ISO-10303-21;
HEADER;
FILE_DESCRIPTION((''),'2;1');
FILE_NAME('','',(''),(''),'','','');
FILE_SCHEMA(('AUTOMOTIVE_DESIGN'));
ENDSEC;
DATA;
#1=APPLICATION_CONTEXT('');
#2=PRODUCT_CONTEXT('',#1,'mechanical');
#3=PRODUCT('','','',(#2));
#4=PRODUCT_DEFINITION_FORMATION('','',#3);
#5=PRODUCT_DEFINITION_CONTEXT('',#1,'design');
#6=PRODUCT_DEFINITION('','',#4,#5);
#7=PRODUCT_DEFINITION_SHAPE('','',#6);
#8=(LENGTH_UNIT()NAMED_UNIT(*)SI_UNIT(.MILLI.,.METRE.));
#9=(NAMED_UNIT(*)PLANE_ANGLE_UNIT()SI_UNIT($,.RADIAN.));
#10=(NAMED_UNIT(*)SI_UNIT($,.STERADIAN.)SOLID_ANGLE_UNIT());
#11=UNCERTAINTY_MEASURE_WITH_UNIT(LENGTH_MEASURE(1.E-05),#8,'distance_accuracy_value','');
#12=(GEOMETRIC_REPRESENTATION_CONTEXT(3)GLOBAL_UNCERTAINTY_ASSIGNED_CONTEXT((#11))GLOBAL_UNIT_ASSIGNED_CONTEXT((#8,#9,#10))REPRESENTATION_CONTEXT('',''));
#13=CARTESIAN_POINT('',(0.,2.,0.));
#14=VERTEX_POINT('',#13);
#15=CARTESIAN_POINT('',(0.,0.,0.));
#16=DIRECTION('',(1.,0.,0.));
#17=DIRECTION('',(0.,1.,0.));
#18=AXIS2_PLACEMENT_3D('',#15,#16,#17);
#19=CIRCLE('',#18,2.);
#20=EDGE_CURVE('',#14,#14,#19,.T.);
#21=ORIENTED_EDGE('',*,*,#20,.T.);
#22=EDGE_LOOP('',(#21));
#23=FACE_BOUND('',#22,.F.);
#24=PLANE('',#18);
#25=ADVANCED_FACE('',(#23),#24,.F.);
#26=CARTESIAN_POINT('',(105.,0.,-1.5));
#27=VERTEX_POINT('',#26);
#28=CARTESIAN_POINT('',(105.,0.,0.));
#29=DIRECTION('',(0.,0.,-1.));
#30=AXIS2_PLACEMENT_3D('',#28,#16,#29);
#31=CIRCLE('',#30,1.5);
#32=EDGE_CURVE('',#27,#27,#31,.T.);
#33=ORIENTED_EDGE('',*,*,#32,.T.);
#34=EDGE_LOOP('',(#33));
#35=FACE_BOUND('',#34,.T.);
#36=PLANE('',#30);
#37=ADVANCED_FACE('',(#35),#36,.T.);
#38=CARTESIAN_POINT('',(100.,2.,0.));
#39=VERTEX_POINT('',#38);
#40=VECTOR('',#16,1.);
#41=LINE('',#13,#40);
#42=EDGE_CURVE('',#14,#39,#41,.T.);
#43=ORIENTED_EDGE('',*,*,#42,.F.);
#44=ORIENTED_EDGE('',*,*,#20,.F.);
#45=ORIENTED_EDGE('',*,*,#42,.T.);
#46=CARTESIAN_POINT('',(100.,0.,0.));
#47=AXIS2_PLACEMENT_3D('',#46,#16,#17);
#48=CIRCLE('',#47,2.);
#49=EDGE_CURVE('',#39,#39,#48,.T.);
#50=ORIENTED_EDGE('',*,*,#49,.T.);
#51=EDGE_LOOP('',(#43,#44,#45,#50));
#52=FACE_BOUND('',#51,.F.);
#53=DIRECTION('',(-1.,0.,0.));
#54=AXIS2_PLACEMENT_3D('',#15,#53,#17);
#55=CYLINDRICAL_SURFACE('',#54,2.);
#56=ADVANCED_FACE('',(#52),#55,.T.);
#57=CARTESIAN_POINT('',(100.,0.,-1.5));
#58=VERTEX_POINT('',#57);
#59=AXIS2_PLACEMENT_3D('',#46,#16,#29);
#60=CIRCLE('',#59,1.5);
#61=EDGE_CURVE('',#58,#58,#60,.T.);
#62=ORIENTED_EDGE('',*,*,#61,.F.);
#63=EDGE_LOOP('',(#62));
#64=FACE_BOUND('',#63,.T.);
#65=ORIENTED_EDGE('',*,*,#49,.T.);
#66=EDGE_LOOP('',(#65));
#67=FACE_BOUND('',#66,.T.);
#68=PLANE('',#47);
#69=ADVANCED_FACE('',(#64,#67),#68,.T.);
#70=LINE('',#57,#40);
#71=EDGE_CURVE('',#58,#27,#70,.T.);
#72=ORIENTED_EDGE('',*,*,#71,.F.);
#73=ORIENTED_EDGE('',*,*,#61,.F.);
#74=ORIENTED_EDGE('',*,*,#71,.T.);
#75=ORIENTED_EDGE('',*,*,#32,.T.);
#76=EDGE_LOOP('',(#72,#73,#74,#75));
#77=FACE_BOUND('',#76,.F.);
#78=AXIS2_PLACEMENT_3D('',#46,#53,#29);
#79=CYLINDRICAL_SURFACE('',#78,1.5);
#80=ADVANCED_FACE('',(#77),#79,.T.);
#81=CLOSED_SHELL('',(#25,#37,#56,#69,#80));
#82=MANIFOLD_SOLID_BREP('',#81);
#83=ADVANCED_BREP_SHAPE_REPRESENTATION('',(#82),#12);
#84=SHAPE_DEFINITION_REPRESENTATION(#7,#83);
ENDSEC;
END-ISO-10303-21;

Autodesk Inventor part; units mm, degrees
ref_plane "YZ Plane" through (0, 0, 0) normal (1, 0, 0) x (0, 1, 0)
ref_plane "XZ Plane" through (0, 0, 0) normal (0, 1, 0) x (-1, 0, 0)
ref_plane "XY Plane" through (0, 0, 0) normal (0, 0, 1) x (1, 0, 0)
sketch "Sketch1" plane through (0, 0, 0) normal (1, 0, 0) x (0, 1, 0)
  circle A0 centre (0, 0) radius 2
  dimension "d0" = 4
extrude "Extrusion1" add sketch "Sketch1" along normal blind 100
sketch "Sketch2" plane through (100, 0, 0) normal (1, 0, 0) x (0, 0, -1)
  circle A0 centre (0, 0) radius 1.5
  dimension "d3" = 3
extrude "Extrusion2" add sketch "Sketch2" along normal blind 5
thread "Thread1" size "M3x0.5" class "6g" standard "ANSI Metric M Profile" full length
properties part number "NarishigeEG40DovetailCapAdapter"
